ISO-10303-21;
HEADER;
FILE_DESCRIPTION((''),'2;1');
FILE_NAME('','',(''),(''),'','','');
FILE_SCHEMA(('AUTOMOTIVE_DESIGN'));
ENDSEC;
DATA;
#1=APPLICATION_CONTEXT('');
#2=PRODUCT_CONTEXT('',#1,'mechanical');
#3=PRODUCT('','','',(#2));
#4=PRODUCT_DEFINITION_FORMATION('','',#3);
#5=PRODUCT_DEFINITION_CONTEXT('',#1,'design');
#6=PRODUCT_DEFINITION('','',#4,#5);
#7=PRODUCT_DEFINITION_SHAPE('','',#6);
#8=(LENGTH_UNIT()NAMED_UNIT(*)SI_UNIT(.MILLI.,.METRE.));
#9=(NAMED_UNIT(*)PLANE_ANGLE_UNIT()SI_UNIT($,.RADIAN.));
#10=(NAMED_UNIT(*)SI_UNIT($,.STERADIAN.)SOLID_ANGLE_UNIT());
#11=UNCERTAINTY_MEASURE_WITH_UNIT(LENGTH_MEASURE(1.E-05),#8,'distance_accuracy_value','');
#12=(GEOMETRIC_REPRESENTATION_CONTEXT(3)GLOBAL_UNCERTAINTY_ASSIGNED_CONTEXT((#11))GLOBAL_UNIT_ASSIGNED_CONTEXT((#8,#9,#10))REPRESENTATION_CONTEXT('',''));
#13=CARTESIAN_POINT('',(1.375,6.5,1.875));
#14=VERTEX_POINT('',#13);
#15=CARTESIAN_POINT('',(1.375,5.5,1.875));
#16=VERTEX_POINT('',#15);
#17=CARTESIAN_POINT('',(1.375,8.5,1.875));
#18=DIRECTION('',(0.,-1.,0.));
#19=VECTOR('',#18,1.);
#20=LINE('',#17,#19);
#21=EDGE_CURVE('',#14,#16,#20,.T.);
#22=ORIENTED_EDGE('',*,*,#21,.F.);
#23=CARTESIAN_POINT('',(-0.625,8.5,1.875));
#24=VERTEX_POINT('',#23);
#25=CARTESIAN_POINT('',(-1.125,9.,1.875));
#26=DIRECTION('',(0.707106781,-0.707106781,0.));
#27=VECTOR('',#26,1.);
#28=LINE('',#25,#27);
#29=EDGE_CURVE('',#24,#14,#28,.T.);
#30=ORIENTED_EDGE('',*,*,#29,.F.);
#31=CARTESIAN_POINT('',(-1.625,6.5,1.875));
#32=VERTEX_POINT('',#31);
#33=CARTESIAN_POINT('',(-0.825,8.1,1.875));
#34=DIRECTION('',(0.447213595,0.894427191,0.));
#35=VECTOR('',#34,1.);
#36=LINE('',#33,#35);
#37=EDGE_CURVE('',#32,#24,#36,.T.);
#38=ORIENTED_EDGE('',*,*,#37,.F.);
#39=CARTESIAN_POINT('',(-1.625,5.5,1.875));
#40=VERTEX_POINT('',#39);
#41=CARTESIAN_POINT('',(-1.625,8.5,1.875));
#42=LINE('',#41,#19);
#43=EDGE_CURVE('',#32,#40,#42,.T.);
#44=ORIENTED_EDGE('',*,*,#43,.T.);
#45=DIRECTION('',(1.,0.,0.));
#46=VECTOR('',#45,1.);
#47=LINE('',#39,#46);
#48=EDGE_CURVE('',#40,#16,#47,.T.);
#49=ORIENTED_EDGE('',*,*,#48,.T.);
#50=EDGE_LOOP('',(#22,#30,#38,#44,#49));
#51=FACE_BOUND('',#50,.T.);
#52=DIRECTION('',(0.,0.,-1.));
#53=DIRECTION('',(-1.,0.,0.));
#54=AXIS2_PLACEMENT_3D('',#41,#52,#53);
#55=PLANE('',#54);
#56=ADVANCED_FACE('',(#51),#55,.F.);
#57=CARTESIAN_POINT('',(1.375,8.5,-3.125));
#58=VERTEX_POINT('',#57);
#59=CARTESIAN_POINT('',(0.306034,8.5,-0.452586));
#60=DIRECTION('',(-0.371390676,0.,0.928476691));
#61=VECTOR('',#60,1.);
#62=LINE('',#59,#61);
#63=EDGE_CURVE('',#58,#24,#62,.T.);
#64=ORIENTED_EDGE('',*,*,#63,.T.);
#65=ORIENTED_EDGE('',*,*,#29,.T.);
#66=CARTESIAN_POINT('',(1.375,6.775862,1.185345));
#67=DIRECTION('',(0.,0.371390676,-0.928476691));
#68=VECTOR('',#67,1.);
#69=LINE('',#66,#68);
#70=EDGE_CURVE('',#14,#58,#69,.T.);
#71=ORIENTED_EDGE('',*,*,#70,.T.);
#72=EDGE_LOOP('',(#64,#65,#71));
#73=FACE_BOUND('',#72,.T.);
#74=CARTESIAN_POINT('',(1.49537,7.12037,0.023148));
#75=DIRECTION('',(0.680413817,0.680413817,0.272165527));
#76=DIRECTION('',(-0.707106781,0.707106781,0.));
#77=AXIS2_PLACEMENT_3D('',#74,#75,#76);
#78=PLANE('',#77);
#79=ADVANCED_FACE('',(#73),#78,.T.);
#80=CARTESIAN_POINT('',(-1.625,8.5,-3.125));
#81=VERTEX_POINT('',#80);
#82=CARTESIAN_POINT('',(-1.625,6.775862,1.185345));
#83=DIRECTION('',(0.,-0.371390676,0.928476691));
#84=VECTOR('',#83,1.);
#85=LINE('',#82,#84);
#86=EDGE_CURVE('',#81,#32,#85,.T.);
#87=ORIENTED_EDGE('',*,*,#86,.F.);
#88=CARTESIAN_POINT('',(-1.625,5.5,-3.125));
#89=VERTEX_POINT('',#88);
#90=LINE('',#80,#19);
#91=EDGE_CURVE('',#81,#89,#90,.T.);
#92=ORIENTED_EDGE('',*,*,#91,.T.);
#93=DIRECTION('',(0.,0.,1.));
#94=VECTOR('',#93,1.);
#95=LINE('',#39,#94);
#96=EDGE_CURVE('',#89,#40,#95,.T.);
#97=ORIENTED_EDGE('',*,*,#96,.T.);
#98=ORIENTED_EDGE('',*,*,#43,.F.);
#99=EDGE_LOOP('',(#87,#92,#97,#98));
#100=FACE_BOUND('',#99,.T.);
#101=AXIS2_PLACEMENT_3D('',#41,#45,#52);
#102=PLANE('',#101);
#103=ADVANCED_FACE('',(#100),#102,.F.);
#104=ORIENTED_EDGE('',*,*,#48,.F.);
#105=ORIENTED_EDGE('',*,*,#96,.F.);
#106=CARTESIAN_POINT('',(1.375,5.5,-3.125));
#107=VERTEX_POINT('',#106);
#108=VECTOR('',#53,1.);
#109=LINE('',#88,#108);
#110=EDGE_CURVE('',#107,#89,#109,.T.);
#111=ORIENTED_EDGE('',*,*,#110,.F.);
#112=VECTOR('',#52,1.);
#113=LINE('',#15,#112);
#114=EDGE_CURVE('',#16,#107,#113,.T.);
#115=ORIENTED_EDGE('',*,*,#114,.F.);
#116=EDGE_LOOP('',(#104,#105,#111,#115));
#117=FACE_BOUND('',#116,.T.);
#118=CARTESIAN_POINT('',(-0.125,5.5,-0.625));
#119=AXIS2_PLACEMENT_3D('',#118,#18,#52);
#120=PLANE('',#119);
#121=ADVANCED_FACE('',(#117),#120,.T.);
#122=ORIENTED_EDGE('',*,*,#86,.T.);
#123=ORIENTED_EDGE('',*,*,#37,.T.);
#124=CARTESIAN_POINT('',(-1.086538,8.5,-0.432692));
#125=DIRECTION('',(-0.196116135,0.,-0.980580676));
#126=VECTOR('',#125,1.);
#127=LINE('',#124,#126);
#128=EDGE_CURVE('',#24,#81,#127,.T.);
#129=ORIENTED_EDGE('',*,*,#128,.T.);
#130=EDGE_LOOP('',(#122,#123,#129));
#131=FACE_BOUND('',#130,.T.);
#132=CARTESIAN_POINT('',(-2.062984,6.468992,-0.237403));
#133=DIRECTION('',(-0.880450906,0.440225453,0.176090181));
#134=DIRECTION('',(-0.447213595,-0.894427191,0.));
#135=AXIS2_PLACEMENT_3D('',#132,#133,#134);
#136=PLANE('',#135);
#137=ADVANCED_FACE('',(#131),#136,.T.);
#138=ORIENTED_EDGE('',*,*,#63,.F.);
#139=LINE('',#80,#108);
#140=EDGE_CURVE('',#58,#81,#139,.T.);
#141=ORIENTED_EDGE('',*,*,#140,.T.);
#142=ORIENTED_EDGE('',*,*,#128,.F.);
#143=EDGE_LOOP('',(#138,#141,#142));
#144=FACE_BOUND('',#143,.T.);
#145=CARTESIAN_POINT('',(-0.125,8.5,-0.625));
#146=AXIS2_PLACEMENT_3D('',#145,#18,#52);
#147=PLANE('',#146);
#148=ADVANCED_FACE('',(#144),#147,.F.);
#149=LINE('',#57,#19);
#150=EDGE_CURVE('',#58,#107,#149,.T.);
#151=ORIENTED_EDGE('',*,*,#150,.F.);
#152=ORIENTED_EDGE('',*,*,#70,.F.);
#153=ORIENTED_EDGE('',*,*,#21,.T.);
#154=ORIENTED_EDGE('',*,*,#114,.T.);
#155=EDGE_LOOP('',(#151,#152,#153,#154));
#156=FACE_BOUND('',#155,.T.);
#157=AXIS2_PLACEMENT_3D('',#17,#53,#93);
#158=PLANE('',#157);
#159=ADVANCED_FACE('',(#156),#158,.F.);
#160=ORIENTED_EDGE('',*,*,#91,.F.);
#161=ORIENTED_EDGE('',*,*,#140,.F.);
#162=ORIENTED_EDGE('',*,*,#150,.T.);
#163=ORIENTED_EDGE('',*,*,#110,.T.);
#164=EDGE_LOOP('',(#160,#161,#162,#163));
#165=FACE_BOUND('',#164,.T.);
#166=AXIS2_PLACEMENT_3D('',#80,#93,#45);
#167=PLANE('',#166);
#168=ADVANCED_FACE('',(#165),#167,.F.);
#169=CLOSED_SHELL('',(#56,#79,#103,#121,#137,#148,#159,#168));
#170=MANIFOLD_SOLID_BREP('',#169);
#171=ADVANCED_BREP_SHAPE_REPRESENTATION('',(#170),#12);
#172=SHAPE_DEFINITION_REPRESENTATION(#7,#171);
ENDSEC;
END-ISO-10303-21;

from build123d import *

# Parameters (mm, degrees)
SKETCH_1_W          = 15
SKETCH_1_H          = 25
EXTRUDE_1_DEPTH     = 15
SKETCH_4_W          = 33.460320445
SKETCH_4_H          = 26.687965621
CUT_EXTRUDE_1_DEPTH = 15
SKETCH_5_W          = 41.021028331
SKETCH_5_H          = 23.23593172
CUT_EXTRUDE_2_DEPTH = 15
SCALE_1_SCALE       = 0.2


with BuildPart() as part:
    # 草圖1 → 填料-伸長1 (new body)
    with BuildSketch(Plane(origin=(0, 0, 0), x_dir=(1, 0, 0), z_dir=(0, 1, 0))):
        Rectangle(SKETCH_1_W, SKETCH_1_H)
    extrude(amount=EXTRUDE_1_DEPTH)

    # 草圖4 → 除料-伸長1 (cut)
    with BuildSketch(Plane(origin=(-9.689922481, 4.84496124, 1.937984496), x_dir=(0.157499846, -0.078749923, 0.984374039), z_dir=(-0.880450906, 0.440225453, 0.176090181))):
        with Locations((1.566467167, 5.33065366)):
            Rectangle(SKETCH_4_W, SKETCH_4_H)
    extrude(amount=CUT_EXTRUDE_1_DEPTH, mode=Mode.SUBTRACT)

    # 草圖5 → 除料-伸長2 (cut)
    with BuildSketch(Plane(origin=(8.101851852, 8.101851852, 3.240740741), x_dir=(-0.19245009, -0.19245009, 0.962250449), z_dir=(-0.680413817, -0.680413817, -0.272165527))):
        with Locations((-1.846019689, 5.465840721)):
            Rectangle(SKETCH_5_W, SKETCH_5_H)
    extrude(amount=-CUT_EXTRUDE_2_DEPTH, mode=Mode.SUBTRACT)


with BuildPart() as part_1:
    # 縮放比例1: scaled about (-0.15625, 6.875, -0.78125)
    add(part.part.scale(SCALE_1_SCALE).moved(Location((-0.125, 5.5, -0.625))))


solid = part_1.part
